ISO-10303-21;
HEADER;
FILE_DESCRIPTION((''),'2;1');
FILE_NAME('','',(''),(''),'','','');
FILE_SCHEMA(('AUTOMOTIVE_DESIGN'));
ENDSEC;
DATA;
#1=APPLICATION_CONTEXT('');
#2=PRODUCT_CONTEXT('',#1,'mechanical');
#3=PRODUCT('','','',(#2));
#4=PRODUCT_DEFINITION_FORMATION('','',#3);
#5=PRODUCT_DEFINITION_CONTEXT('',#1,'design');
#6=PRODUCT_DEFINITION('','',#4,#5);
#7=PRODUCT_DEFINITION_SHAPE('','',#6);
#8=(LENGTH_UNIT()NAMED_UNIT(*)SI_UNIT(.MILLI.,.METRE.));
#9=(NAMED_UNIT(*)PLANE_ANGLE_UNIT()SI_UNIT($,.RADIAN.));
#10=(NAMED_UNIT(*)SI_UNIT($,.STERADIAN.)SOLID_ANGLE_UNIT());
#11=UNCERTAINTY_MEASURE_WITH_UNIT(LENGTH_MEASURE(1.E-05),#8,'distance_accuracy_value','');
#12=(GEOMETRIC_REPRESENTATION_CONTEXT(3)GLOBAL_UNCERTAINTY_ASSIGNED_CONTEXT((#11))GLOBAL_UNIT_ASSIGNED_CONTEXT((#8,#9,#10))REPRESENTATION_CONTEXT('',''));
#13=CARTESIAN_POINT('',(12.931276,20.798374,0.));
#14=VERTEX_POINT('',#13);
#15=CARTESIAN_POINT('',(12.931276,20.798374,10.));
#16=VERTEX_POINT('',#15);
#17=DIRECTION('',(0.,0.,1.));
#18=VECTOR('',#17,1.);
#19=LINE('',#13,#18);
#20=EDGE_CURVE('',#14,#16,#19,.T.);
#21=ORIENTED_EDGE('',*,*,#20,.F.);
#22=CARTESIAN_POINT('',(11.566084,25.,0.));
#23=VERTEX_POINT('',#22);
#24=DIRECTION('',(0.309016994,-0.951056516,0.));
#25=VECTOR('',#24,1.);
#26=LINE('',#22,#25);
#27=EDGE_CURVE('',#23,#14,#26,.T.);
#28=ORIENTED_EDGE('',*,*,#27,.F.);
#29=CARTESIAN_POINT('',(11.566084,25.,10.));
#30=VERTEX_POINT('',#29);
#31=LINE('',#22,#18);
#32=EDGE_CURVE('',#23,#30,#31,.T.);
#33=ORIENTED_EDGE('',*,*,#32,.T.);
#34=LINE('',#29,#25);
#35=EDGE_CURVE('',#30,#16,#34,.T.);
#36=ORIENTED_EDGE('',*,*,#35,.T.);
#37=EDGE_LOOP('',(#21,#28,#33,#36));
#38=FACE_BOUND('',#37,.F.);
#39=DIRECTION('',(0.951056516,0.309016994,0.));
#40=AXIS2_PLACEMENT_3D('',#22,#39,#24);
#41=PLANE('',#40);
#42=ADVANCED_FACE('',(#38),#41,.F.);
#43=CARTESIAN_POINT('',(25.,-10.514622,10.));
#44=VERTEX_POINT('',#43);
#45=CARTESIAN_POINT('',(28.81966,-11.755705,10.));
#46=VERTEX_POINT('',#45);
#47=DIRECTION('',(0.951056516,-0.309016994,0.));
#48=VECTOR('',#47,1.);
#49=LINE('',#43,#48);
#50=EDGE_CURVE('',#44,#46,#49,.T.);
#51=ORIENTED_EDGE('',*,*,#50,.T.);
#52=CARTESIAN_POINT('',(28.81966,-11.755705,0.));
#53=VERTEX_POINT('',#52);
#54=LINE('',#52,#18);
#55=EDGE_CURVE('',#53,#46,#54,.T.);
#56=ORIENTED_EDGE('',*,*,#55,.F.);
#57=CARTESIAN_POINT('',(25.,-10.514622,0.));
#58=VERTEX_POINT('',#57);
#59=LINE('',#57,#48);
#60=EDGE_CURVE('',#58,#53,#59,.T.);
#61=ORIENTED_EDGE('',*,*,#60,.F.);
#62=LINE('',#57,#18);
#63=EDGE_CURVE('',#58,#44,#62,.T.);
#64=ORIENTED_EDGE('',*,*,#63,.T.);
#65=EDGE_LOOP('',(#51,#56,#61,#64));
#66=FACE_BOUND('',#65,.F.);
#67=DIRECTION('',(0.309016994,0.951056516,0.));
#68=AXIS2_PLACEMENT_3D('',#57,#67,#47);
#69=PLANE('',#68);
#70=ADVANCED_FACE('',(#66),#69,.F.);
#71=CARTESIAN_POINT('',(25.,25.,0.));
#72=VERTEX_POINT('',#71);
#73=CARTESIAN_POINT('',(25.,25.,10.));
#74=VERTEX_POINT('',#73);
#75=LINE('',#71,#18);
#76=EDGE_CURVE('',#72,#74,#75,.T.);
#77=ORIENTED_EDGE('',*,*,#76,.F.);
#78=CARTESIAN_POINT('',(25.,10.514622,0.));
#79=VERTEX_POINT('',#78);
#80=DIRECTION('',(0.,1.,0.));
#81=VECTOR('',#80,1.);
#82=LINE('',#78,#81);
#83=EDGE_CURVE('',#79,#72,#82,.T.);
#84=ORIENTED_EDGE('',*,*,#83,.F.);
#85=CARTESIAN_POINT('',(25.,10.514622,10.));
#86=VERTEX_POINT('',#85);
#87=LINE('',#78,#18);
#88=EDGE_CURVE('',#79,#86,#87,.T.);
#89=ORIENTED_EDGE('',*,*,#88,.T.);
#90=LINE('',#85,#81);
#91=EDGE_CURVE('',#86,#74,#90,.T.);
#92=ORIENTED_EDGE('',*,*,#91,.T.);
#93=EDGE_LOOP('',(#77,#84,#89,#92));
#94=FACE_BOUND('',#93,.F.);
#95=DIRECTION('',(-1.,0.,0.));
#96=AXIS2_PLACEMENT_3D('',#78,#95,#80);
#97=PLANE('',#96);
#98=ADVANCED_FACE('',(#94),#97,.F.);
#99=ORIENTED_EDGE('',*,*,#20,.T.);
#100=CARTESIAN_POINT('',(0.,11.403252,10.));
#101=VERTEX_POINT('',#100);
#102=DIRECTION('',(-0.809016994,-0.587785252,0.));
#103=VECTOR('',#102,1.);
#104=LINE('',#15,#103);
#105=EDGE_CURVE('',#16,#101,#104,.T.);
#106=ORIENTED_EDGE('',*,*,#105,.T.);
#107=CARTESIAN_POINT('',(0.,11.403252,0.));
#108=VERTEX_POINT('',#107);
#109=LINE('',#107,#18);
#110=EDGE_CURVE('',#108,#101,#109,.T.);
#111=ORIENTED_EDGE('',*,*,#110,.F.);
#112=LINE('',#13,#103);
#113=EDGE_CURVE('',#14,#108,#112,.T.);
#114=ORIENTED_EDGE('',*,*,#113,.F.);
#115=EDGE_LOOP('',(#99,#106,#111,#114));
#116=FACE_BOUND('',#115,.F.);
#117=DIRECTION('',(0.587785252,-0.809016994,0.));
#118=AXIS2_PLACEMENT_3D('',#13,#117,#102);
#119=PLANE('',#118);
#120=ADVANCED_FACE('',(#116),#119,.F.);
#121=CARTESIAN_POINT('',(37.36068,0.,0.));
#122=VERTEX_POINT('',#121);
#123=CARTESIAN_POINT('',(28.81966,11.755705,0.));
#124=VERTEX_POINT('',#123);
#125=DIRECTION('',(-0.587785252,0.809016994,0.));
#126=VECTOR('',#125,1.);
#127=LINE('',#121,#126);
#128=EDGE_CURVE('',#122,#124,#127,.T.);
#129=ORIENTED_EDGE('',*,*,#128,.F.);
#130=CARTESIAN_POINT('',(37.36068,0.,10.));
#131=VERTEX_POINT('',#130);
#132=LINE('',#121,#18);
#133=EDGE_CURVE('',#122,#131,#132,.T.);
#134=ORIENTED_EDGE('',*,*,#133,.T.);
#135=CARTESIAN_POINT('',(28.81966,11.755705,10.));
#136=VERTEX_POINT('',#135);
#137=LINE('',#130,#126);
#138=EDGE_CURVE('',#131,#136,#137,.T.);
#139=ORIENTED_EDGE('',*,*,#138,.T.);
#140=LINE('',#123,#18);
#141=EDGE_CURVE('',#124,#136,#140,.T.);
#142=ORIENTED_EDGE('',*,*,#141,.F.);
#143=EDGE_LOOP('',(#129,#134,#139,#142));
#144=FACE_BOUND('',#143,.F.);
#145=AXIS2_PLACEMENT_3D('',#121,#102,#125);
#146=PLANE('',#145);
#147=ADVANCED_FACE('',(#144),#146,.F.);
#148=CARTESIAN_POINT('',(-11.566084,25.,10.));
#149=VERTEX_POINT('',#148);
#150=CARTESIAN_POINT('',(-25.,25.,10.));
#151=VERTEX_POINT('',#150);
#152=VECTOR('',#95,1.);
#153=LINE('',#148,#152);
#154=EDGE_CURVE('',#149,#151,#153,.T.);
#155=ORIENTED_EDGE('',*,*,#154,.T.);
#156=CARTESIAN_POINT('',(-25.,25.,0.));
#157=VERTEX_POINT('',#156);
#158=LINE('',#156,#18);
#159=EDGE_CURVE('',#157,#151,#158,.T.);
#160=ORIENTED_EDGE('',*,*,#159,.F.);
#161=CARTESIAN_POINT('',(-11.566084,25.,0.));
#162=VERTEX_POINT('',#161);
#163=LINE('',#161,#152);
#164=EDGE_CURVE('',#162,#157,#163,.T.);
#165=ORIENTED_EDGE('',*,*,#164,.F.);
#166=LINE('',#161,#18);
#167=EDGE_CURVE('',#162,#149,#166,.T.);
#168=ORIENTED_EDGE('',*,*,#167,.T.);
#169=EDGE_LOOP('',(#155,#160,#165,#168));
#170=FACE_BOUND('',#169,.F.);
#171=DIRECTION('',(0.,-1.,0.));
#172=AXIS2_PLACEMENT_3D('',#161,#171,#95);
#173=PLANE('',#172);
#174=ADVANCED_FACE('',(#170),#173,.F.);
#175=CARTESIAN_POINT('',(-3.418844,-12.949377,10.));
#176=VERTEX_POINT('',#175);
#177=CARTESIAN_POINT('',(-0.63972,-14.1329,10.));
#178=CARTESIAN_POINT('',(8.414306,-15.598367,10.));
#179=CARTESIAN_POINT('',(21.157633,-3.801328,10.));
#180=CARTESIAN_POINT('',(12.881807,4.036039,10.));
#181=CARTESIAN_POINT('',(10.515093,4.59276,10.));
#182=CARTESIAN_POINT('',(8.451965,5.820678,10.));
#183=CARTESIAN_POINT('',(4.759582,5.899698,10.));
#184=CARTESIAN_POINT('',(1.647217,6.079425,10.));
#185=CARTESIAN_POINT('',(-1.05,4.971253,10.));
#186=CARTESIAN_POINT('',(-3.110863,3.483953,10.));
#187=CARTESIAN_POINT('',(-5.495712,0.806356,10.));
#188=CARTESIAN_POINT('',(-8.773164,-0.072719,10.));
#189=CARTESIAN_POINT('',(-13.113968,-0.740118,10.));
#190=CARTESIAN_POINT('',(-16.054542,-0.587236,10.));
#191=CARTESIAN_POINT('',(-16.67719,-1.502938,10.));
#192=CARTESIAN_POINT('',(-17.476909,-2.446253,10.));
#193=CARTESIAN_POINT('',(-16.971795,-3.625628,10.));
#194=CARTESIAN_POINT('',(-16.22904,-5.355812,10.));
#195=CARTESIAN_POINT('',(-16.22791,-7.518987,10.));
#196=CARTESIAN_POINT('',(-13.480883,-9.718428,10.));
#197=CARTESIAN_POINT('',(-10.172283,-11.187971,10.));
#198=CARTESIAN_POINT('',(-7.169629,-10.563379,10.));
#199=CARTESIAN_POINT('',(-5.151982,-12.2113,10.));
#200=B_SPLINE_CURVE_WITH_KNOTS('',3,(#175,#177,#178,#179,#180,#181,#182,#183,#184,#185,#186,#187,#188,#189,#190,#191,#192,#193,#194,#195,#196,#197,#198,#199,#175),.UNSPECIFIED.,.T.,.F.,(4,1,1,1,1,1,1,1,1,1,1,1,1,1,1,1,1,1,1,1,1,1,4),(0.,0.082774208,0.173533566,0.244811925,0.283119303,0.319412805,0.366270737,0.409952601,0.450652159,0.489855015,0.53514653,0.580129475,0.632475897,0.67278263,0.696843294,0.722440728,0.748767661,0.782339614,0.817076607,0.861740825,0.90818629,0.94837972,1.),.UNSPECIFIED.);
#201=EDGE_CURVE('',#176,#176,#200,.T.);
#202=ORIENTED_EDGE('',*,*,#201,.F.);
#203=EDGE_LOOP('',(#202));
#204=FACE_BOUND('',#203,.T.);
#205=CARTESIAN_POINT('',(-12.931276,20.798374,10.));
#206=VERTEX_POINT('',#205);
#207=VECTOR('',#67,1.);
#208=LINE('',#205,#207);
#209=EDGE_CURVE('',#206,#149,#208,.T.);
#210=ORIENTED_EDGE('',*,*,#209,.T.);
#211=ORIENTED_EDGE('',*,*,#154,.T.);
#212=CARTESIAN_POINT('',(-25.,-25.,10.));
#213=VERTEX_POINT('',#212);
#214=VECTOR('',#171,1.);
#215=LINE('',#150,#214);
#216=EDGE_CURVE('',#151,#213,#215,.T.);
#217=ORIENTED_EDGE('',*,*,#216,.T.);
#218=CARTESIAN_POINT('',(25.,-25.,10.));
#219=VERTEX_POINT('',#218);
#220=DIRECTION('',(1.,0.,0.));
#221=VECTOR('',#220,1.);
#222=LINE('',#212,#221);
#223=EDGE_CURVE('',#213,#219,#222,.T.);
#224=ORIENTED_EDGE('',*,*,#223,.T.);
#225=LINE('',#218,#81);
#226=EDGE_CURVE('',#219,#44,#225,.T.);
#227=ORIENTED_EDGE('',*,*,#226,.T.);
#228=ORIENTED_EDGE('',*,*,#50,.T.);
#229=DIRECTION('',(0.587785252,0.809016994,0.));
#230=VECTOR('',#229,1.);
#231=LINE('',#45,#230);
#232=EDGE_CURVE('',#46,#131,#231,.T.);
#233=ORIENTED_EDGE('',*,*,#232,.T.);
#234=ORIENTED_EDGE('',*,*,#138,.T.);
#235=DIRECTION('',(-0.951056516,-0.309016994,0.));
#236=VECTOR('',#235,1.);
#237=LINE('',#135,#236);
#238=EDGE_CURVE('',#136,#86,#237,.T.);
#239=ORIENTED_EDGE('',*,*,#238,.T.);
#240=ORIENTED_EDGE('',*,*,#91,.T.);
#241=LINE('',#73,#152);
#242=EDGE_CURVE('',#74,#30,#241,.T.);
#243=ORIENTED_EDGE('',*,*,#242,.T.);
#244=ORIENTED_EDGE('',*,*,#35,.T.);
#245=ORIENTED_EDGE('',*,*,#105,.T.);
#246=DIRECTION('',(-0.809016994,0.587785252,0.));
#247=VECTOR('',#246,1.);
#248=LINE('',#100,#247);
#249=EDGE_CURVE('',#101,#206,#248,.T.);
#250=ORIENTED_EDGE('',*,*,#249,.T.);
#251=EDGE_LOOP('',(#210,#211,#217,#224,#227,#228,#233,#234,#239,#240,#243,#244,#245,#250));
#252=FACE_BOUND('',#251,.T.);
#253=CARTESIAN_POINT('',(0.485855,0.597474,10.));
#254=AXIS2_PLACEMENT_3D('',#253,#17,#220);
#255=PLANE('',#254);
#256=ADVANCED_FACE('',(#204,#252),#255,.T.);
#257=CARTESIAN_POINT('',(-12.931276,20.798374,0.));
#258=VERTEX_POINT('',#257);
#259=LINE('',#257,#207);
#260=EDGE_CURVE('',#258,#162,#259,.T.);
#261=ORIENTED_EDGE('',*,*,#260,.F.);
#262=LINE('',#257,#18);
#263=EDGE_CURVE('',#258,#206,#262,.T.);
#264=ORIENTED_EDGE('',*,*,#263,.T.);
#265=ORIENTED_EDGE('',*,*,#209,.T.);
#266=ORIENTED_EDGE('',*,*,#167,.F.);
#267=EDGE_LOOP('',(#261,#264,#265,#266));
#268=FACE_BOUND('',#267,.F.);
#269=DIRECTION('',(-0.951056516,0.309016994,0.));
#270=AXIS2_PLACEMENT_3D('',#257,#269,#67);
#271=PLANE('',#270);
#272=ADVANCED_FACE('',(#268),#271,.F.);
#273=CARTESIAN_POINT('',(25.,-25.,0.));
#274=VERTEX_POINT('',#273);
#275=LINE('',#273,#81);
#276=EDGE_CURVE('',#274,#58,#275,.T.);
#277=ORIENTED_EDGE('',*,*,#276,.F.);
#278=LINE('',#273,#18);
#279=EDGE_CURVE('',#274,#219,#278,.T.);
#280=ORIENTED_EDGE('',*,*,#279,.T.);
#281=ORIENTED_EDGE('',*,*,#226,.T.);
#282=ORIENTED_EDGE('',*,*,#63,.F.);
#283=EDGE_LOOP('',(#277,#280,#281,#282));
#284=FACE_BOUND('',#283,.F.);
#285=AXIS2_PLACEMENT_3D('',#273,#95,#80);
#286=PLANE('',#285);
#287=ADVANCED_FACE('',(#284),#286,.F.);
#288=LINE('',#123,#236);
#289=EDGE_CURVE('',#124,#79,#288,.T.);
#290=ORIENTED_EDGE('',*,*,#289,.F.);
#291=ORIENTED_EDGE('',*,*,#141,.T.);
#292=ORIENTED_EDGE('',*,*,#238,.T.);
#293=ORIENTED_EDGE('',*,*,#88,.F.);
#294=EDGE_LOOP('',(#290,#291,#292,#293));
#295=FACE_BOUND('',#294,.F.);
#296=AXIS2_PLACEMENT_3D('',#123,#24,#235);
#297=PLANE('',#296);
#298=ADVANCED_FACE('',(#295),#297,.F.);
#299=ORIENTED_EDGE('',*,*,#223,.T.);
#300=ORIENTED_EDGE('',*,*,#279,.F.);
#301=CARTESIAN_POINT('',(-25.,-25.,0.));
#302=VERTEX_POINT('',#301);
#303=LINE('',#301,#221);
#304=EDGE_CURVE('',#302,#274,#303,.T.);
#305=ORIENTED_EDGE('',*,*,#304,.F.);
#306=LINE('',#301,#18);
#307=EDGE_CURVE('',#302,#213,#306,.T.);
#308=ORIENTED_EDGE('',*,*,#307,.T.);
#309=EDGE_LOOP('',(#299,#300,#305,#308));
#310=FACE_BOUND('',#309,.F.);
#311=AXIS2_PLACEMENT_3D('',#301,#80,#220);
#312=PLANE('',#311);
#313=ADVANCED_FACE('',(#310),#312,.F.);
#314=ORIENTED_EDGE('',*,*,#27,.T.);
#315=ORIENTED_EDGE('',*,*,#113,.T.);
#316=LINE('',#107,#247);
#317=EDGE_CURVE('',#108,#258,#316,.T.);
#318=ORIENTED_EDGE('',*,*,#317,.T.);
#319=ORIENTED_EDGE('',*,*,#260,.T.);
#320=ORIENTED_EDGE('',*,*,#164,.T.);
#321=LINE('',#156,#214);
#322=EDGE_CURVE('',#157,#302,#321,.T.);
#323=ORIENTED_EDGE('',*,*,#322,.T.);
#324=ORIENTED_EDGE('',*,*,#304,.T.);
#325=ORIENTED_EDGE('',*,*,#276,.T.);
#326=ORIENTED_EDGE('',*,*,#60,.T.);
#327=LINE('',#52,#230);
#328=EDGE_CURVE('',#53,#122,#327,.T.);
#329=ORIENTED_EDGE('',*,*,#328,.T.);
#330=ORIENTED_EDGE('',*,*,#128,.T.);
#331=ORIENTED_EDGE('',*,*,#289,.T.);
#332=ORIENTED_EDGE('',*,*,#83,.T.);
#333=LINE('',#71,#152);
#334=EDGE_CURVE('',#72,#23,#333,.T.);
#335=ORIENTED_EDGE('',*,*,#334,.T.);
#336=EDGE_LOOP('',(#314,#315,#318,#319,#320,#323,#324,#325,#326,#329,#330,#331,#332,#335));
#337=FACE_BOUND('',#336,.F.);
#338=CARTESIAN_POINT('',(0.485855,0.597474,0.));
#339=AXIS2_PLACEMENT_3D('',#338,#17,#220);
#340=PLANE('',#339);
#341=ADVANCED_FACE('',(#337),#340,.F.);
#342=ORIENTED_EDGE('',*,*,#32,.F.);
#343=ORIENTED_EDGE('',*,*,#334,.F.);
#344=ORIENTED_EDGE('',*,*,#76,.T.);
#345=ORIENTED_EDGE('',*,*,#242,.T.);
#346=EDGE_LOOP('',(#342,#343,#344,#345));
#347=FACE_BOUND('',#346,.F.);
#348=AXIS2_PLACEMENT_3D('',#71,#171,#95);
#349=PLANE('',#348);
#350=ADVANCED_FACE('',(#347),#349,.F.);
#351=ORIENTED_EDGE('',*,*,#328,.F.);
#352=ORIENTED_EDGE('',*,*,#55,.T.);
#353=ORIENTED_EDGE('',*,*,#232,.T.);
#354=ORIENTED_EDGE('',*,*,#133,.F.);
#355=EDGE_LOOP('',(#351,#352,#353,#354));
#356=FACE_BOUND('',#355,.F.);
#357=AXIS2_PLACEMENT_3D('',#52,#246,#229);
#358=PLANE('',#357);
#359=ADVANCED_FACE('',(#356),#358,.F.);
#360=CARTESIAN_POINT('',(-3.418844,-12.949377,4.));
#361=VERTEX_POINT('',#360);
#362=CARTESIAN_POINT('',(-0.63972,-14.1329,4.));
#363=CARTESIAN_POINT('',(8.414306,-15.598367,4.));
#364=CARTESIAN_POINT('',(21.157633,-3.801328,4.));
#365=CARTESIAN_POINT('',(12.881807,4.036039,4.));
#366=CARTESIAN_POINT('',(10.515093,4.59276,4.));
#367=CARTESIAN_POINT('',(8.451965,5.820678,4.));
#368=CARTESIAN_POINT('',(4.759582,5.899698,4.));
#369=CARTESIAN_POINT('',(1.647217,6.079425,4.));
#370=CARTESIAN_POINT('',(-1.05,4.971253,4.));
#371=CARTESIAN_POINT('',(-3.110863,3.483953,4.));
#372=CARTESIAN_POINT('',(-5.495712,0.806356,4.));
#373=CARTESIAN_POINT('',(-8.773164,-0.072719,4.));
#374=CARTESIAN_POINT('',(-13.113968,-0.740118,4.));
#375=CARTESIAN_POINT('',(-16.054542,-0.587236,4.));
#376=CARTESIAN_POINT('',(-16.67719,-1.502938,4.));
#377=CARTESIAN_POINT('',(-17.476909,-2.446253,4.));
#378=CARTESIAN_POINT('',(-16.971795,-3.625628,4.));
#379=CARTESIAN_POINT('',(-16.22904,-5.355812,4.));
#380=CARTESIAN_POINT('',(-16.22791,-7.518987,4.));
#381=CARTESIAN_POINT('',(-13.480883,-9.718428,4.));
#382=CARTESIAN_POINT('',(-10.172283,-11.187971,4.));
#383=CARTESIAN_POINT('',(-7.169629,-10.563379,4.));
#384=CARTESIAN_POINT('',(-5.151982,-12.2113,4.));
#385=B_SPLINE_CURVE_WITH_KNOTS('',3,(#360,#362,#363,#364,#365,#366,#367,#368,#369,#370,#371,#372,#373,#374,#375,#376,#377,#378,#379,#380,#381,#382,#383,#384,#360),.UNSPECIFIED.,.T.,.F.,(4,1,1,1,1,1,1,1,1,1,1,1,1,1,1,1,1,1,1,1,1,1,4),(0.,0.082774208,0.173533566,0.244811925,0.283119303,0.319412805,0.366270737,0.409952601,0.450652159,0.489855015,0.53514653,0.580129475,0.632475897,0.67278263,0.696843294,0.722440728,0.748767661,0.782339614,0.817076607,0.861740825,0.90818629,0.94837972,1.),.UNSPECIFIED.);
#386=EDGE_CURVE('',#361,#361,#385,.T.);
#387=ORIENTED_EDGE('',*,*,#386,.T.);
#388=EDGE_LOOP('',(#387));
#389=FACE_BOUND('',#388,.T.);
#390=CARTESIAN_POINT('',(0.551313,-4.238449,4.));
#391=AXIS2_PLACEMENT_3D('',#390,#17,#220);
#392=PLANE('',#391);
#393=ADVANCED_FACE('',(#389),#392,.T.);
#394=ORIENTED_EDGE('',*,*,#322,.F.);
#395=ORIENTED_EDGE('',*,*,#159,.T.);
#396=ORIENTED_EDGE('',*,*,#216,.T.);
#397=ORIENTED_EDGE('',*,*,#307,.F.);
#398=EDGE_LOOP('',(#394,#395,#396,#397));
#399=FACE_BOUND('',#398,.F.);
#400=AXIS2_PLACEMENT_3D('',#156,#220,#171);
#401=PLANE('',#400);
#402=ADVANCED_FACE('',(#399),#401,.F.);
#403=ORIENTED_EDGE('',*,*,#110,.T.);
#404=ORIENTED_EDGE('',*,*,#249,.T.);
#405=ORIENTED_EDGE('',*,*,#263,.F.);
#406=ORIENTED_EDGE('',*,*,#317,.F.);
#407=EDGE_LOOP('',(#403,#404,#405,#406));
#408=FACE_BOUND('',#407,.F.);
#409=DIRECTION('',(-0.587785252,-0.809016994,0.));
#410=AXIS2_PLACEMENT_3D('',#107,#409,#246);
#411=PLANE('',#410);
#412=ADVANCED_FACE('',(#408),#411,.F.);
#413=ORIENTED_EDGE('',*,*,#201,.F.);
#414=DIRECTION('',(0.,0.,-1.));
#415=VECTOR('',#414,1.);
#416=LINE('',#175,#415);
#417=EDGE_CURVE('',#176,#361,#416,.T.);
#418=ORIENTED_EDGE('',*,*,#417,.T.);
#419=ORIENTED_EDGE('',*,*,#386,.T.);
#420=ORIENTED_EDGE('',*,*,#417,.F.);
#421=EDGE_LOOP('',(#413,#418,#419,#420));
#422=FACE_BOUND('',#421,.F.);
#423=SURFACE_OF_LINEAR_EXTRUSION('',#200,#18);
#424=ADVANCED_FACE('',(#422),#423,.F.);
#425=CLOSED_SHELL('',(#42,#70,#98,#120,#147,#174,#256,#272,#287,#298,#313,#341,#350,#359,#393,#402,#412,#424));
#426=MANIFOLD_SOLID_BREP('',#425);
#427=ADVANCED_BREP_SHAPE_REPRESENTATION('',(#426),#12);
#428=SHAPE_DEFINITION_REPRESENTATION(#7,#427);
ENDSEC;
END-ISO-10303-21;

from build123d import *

# Parameters (mm, degrees)
F1_DEPTH = 10
F3_DEPTH = 6


with BuildPart() as f1:
    # F0 (on Top) → F1 (new body)
    with BuildSketch(Plane.XY):
        Polygon((-25, -25), (25, -25), (25, -10.5146222424), (15, -7.2654252801), (15, 7.2654252801), (25, 10.5146222424), (25, 25), (11.5660844666, 25), (12.9312755504, 20.7983738762), (0, 11.4032522475), (-12.9312755504, 20.7983738762), (-11.5660844666, 25), (-25, 25), align=None)
        Polygon((25, 10.5146222424), (25, -10.5146222424), (28.8196601125, -11.7557050458), (37.360679775, 0), (28.8196601125, 11.7557050458), align=None)
        Polygon((15, -7.2654252801), (25, -10.5146222424), (25, 10.5146222424), (15, 7.2654252801), align=None)
    extrude(amount=F1_DEPTH)

    # F2 (on face) → F3 (cut)
    with BuildSketch(Plane.XY.offset(10)):
        with BuildLine():
            add(Edge.make_bspline(
                [(-3.4188439604, -12.9493772984), (-0.6397202901, -14.1329003576), (8.4143063395, -15.5983673966), (21.1576328778, -3.801327599), (12.8818071961, 4.0360389939), (10.515092661, 4.5927595298), (8.4519650037, 5.8206779202), (4.7595819869, 5.8996977562), (1.6472171905, 6.0794246742), (-1.0500001141, 4.971253233), (-3.1108627293, 3.4839526297), (-5.4957122549, 0.8063558528), (-8.7731637564, -0.0727188525), (-13.1139681182, -0.7401184357), (-16.0545421282, -0.5872357559), (-16.6771902006, -1.5029384238), (-17.4769087791, -2.446252866), (-16.9717952171, -3.6256279747), (-16.2290398244, -5.3558118403), (-16.2279096223, -7.5189870163), (-13.480883319, -9.718428004), (-10.1722826968, -11.1879708871), (-7.1696289119, -10.5633794179), (-5.1519821685, -12.2112996604), (-3.4188439604, -12.9493772984)],
                knots=[0, 0, 0, 0, 0.0827742079, 0.1735335658, 0.2448119246, 0.2831193027, 0.3194128054, 0.3662707365, 0.4099526008, 0.4506521592, 0.4898550152, 0.5351465298, 0.5801294753, 0.6324758967, 0.6727826295, 0.6968432938, 0.7224407276, 0.7487676614, 0.7823396137, 0.817076607, 0.8617408254, 0.9081862896, 0.9483797199, 1, 1, 1, 1], degree=3))
        make_face()
    extrude(amount=-F3_DEPTH, mode=Mode.SUBTRACT)


solid = f1.part
